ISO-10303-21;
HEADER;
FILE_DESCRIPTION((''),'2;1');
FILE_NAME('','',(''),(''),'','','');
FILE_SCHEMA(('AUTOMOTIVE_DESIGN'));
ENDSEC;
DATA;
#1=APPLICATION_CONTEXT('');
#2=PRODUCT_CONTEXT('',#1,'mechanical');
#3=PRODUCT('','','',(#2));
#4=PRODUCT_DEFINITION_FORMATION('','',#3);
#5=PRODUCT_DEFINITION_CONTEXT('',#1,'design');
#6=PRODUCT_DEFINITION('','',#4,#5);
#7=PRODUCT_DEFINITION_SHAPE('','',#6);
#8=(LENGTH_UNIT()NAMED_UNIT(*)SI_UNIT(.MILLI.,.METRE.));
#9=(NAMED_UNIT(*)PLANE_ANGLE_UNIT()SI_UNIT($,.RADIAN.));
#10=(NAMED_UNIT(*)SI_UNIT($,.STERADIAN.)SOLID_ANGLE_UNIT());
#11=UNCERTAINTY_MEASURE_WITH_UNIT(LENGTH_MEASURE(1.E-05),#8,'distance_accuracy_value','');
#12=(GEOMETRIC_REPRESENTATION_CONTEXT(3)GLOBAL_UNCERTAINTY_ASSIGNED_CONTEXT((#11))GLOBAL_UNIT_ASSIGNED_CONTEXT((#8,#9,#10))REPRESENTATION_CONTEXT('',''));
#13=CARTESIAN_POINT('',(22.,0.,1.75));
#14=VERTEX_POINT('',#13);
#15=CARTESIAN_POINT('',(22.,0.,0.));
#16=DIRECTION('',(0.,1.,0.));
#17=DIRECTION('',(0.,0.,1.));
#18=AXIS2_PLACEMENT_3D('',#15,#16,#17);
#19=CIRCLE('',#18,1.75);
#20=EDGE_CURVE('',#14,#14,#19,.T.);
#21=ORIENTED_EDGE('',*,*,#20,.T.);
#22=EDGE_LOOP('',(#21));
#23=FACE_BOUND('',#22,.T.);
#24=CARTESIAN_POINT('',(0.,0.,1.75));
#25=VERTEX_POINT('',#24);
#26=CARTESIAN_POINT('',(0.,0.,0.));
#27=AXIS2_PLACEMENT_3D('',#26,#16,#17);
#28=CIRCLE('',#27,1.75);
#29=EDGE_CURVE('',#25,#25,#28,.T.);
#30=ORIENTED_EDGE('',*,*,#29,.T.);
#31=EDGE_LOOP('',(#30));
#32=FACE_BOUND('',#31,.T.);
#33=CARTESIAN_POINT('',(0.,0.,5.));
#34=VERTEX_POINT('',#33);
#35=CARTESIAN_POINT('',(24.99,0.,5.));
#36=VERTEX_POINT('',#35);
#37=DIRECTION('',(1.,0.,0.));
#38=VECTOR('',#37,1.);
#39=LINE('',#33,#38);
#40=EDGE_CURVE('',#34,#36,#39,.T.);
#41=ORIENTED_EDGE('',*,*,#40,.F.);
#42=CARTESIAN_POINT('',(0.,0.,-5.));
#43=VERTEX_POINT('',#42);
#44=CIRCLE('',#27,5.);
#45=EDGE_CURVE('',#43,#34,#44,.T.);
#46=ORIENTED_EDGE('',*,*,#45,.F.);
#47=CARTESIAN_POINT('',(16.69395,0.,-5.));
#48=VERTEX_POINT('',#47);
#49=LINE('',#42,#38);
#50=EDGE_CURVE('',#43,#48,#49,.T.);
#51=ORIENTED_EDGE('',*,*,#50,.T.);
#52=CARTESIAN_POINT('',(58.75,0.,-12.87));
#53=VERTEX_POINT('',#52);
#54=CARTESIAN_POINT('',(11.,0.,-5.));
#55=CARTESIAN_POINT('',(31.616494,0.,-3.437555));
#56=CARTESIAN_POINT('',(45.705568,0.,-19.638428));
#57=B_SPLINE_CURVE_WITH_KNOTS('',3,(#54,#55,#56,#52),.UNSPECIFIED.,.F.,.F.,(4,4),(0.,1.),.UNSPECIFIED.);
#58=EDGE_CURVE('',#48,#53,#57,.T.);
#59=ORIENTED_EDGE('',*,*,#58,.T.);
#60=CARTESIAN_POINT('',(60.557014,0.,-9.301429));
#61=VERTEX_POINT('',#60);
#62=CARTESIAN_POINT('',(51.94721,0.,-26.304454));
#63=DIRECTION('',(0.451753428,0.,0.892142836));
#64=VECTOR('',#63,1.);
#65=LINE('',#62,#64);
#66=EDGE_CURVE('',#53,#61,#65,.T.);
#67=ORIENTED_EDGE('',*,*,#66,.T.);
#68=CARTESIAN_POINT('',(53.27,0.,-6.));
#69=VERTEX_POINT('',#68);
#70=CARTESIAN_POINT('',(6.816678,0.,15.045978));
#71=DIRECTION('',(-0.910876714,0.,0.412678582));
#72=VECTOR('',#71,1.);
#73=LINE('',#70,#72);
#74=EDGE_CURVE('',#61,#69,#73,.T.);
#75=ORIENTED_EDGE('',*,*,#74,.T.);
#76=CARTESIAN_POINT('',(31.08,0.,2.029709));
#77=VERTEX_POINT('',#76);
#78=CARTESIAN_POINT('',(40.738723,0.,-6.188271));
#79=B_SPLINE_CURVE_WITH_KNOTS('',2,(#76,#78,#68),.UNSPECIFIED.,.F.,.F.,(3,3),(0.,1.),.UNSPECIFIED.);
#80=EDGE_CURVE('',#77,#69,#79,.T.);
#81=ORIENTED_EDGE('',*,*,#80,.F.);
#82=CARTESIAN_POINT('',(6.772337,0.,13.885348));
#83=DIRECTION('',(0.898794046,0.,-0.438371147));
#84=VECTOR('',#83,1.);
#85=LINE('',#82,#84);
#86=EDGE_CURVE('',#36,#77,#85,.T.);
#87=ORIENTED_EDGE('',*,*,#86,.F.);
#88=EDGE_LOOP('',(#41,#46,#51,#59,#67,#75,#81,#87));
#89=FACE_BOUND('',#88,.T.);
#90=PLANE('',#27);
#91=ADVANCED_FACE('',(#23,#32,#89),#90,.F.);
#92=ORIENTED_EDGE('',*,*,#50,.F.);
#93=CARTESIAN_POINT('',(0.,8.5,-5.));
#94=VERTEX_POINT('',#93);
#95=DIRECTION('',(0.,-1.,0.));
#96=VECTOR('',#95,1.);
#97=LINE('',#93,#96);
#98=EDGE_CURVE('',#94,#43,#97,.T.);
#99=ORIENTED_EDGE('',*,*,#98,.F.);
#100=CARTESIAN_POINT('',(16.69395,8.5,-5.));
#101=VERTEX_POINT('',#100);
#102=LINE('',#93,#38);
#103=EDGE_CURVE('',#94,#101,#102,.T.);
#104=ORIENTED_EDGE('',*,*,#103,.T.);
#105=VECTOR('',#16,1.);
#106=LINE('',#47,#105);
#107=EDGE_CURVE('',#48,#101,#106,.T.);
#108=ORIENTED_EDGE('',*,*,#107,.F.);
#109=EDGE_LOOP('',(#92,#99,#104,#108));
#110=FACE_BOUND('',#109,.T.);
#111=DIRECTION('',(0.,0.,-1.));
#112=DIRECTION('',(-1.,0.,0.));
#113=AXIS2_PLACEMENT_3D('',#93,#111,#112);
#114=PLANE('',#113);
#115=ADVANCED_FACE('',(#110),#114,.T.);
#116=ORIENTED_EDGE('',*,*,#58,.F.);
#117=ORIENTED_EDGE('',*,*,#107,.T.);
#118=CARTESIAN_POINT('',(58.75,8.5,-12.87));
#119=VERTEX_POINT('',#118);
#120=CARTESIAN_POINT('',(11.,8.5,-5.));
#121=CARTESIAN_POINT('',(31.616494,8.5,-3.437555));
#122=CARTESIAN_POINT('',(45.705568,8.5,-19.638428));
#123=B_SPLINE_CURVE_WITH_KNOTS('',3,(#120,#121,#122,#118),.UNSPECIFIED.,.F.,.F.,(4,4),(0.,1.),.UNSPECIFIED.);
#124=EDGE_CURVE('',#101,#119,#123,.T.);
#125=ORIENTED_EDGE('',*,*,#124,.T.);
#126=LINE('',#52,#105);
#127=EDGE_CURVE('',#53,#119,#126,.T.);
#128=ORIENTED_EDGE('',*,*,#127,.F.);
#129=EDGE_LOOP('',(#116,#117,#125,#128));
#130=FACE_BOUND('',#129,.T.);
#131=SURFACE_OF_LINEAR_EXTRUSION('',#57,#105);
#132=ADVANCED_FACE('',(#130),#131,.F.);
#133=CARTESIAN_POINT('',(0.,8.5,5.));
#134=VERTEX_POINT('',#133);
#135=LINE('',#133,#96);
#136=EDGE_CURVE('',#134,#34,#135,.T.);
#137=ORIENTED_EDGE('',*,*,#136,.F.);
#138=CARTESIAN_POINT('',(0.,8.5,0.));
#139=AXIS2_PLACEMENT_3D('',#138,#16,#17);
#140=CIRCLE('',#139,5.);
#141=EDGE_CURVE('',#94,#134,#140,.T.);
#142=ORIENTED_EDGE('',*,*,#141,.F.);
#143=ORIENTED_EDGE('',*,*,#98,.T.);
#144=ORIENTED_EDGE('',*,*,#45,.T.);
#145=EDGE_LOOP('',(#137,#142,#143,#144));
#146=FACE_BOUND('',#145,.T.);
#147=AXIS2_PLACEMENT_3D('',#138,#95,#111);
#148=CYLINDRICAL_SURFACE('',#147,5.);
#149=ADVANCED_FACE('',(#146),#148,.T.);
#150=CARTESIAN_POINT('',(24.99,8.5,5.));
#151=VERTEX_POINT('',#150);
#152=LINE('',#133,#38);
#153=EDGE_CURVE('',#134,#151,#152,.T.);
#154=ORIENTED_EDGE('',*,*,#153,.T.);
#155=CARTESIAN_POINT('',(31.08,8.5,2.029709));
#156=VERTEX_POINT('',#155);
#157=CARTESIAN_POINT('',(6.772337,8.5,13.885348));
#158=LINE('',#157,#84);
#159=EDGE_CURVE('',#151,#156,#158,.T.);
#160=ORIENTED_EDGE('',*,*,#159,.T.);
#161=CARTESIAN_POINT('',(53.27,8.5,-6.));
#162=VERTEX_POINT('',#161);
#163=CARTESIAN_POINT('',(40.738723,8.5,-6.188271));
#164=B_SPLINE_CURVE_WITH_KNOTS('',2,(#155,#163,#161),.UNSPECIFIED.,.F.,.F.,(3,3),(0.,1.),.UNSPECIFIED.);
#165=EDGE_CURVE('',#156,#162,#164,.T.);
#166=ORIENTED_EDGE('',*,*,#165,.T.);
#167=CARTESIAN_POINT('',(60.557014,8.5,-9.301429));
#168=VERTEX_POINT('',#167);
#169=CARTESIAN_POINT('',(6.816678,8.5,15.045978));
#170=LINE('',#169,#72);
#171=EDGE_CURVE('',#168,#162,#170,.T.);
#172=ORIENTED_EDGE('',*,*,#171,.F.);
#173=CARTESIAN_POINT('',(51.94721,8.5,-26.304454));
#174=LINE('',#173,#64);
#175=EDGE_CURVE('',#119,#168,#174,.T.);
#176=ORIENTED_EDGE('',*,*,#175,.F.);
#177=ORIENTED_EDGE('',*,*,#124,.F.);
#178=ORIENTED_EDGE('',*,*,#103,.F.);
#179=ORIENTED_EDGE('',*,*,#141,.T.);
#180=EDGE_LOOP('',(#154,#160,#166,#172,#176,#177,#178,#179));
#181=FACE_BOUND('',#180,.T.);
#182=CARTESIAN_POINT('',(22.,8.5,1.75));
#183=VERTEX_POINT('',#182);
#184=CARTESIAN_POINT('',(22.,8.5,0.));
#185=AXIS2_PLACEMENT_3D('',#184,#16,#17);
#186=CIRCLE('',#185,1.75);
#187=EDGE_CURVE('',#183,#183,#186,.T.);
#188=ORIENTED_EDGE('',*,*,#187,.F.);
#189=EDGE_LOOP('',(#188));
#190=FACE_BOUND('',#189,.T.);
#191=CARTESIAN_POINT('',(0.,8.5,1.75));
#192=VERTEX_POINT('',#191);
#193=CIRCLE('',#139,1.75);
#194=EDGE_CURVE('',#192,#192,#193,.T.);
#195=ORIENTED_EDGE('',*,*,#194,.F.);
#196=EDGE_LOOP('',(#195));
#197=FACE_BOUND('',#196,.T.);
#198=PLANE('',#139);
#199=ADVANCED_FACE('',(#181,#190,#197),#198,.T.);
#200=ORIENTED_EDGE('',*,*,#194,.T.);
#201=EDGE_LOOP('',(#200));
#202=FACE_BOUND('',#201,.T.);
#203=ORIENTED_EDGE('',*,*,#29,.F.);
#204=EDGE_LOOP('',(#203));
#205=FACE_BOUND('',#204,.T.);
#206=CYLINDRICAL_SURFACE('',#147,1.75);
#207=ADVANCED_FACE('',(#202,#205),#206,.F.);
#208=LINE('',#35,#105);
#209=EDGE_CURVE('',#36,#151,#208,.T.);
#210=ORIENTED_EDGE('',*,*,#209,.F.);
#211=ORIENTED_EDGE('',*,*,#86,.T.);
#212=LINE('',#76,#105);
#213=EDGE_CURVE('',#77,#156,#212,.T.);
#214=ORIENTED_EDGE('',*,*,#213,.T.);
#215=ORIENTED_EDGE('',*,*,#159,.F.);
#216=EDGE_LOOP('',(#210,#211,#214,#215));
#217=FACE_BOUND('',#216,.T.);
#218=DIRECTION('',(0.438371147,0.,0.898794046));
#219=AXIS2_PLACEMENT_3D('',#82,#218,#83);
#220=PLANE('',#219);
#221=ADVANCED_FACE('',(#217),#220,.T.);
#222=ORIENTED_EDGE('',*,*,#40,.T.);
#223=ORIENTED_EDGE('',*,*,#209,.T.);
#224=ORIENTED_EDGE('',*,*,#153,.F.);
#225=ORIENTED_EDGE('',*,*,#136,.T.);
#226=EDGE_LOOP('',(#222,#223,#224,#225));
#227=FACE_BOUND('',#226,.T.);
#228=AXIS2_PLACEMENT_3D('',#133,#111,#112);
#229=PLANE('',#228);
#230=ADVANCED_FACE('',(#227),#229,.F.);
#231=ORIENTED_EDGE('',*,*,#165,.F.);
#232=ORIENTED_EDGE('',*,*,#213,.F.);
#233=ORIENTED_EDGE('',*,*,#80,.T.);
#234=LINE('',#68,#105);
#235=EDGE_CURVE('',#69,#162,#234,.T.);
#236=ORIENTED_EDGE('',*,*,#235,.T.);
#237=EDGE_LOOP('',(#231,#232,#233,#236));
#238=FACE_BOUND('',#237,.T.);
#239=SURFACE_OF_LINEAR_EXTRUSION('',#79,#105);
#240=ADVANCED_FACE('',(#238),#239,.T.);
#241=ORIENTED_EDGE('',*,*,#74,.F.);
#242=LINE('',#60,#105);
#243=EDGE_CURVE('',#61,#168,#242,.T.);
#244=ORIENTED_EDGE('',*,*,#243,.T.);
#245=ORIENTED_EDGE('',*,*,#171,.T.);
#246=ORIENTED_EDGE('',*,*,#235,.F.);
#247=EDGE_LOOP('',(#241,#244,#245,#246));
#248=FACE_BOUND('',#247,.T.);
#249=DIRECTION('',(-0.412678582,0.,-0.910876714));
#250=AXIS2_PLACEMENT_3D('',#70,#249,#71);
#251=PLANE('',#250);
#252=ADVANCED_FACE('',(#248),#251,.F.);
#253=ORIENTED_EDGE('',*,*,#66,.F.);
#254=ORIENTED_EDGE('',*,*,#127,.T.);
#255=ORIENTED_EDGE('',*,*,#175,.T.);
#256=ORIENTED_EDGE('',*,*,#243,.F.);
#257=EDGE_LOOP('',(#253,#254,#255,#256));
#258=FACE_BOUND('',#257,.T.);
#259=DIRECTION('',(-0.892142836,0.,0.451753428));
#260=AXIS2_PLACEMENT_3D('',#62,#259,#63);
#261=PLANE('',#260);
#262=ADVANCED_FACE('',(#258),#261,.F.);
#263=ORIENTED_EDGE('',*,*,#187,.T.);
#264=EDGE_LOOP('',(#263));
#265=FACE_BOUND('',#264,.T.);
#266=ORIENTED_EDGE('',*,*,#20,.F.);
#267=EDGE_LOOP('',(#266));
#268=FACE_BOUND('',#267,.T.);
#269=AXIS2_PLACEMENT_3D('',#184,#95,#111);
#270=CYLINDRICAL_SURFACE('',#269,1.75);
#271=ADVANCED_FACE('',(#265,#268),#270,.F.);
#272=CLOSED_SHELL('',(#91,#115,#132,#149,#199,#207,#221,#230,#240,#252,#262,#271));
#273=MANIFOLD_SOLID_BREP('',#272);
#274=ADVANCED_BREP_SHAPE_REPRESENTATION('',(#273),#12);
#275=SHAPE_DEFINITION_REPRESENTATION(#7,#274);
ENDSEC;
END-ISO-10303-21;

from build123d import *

# Parameters (mm, degrees)
SKETCH1_R           = 5
SKETCH1_R_2         = 1.75
BOSS_EXTRUDE1_DEPTH = 8.5
BOSS_EXTRUDE2_START = -8.5
BOSS_EXTRUDE2_DEPTH = 8.5


with BuildPart() as part:
    # Sketch1 → Boss-Extrude1 (new body)
    # profile 1 of 3: a face of its own
    with BuildSketch(Plane(origin=(0, 0, 0), x_dir=(1, 0, 0), z_dir=(0, 1, 0))):
        Circle(SKETCH1_R)
        with Locations(Location((0, 0, 0), (0, 0, 270))):
            Circle(SKETCH1_R_2, mode=Mode.SUBTRACT)
    # profile 2 of 3: a face of its own
    with BuildSketch(Plane(origin=(0, 0, 0), x_dir=(1, 0, 0), z_dir=(0, 1, 0))):
        with BuildLine():
            Line((22, 5), (0, 5))
            ThreePointArc((0, 5), (3.535533906, 3.535533906), (5, 0))
            ThreePointArc((5, 0), (3.535533907, -3.535533905), (3e-09, -5))
            Line((3e-09, -5), (22, -5))
            ThreePointArc((22, -5), (17, 0), (22, 5))
        make_face()
    # profile 3 of 3: a face of its own
    with BuildSketch(Plane(origin=(0, 0, 0), x_dir=(1, 0, 0), z_dir=(0, 1, 0))):
        with Locations((22, 0)):
            Circle(SKETCH1_R)
        with Locations(Location((22, 0, 0), (0, 0, 270))):
            Circle(SKETCH1_R_2, mode=Mode.SUBTRACT)
    extrude(amount=BOSS_EXTRUDE1_DEPTH)

    # Sketch2 → Boss-Extrude2 (add)
    with BuildSketch(Plane(origin=(0, 8.5, 0), x_dir=(1, 0, 0), z_dir=(0, 1, 0)).offset(BOSS_EXTRUDE2_START)):
        with BuildLine():
            ThreePointArc((22, 5), (27, 0), (22, -5))
            Line((22, -5), (24.99, -5))
            Line((24.99, -5), (31.08, -2.029708536))
            add(Edge.make_bspline(
                [(31.08, -2.029708536), (40.738723452, 6.188270814), (53.27, 6)],
                knots=[0, 0, 0, 1, 1, 1], degree=2))
            Line((53.27, 6), (60.557013712, 9.301428655))
            Line((60.557013712, 9.301428655), (58.75, 12.87))
            add(Edge.make_bspline(
                [(16.693950363, 5), (34.27932275, 6.303745675), (46.942612852, 18.996556194), (58.75, 12.87)],
                knots=[0.094833199, 0.094833199, 0.094833199, 0.094833199, 1, 1, 1, 1], degree=3))
            Line((16.693950363, 5), (22, 5))
        make_face()
    extrude(amount=BOSS_EXTRUDE2_DEPTH)


solid = part.part
